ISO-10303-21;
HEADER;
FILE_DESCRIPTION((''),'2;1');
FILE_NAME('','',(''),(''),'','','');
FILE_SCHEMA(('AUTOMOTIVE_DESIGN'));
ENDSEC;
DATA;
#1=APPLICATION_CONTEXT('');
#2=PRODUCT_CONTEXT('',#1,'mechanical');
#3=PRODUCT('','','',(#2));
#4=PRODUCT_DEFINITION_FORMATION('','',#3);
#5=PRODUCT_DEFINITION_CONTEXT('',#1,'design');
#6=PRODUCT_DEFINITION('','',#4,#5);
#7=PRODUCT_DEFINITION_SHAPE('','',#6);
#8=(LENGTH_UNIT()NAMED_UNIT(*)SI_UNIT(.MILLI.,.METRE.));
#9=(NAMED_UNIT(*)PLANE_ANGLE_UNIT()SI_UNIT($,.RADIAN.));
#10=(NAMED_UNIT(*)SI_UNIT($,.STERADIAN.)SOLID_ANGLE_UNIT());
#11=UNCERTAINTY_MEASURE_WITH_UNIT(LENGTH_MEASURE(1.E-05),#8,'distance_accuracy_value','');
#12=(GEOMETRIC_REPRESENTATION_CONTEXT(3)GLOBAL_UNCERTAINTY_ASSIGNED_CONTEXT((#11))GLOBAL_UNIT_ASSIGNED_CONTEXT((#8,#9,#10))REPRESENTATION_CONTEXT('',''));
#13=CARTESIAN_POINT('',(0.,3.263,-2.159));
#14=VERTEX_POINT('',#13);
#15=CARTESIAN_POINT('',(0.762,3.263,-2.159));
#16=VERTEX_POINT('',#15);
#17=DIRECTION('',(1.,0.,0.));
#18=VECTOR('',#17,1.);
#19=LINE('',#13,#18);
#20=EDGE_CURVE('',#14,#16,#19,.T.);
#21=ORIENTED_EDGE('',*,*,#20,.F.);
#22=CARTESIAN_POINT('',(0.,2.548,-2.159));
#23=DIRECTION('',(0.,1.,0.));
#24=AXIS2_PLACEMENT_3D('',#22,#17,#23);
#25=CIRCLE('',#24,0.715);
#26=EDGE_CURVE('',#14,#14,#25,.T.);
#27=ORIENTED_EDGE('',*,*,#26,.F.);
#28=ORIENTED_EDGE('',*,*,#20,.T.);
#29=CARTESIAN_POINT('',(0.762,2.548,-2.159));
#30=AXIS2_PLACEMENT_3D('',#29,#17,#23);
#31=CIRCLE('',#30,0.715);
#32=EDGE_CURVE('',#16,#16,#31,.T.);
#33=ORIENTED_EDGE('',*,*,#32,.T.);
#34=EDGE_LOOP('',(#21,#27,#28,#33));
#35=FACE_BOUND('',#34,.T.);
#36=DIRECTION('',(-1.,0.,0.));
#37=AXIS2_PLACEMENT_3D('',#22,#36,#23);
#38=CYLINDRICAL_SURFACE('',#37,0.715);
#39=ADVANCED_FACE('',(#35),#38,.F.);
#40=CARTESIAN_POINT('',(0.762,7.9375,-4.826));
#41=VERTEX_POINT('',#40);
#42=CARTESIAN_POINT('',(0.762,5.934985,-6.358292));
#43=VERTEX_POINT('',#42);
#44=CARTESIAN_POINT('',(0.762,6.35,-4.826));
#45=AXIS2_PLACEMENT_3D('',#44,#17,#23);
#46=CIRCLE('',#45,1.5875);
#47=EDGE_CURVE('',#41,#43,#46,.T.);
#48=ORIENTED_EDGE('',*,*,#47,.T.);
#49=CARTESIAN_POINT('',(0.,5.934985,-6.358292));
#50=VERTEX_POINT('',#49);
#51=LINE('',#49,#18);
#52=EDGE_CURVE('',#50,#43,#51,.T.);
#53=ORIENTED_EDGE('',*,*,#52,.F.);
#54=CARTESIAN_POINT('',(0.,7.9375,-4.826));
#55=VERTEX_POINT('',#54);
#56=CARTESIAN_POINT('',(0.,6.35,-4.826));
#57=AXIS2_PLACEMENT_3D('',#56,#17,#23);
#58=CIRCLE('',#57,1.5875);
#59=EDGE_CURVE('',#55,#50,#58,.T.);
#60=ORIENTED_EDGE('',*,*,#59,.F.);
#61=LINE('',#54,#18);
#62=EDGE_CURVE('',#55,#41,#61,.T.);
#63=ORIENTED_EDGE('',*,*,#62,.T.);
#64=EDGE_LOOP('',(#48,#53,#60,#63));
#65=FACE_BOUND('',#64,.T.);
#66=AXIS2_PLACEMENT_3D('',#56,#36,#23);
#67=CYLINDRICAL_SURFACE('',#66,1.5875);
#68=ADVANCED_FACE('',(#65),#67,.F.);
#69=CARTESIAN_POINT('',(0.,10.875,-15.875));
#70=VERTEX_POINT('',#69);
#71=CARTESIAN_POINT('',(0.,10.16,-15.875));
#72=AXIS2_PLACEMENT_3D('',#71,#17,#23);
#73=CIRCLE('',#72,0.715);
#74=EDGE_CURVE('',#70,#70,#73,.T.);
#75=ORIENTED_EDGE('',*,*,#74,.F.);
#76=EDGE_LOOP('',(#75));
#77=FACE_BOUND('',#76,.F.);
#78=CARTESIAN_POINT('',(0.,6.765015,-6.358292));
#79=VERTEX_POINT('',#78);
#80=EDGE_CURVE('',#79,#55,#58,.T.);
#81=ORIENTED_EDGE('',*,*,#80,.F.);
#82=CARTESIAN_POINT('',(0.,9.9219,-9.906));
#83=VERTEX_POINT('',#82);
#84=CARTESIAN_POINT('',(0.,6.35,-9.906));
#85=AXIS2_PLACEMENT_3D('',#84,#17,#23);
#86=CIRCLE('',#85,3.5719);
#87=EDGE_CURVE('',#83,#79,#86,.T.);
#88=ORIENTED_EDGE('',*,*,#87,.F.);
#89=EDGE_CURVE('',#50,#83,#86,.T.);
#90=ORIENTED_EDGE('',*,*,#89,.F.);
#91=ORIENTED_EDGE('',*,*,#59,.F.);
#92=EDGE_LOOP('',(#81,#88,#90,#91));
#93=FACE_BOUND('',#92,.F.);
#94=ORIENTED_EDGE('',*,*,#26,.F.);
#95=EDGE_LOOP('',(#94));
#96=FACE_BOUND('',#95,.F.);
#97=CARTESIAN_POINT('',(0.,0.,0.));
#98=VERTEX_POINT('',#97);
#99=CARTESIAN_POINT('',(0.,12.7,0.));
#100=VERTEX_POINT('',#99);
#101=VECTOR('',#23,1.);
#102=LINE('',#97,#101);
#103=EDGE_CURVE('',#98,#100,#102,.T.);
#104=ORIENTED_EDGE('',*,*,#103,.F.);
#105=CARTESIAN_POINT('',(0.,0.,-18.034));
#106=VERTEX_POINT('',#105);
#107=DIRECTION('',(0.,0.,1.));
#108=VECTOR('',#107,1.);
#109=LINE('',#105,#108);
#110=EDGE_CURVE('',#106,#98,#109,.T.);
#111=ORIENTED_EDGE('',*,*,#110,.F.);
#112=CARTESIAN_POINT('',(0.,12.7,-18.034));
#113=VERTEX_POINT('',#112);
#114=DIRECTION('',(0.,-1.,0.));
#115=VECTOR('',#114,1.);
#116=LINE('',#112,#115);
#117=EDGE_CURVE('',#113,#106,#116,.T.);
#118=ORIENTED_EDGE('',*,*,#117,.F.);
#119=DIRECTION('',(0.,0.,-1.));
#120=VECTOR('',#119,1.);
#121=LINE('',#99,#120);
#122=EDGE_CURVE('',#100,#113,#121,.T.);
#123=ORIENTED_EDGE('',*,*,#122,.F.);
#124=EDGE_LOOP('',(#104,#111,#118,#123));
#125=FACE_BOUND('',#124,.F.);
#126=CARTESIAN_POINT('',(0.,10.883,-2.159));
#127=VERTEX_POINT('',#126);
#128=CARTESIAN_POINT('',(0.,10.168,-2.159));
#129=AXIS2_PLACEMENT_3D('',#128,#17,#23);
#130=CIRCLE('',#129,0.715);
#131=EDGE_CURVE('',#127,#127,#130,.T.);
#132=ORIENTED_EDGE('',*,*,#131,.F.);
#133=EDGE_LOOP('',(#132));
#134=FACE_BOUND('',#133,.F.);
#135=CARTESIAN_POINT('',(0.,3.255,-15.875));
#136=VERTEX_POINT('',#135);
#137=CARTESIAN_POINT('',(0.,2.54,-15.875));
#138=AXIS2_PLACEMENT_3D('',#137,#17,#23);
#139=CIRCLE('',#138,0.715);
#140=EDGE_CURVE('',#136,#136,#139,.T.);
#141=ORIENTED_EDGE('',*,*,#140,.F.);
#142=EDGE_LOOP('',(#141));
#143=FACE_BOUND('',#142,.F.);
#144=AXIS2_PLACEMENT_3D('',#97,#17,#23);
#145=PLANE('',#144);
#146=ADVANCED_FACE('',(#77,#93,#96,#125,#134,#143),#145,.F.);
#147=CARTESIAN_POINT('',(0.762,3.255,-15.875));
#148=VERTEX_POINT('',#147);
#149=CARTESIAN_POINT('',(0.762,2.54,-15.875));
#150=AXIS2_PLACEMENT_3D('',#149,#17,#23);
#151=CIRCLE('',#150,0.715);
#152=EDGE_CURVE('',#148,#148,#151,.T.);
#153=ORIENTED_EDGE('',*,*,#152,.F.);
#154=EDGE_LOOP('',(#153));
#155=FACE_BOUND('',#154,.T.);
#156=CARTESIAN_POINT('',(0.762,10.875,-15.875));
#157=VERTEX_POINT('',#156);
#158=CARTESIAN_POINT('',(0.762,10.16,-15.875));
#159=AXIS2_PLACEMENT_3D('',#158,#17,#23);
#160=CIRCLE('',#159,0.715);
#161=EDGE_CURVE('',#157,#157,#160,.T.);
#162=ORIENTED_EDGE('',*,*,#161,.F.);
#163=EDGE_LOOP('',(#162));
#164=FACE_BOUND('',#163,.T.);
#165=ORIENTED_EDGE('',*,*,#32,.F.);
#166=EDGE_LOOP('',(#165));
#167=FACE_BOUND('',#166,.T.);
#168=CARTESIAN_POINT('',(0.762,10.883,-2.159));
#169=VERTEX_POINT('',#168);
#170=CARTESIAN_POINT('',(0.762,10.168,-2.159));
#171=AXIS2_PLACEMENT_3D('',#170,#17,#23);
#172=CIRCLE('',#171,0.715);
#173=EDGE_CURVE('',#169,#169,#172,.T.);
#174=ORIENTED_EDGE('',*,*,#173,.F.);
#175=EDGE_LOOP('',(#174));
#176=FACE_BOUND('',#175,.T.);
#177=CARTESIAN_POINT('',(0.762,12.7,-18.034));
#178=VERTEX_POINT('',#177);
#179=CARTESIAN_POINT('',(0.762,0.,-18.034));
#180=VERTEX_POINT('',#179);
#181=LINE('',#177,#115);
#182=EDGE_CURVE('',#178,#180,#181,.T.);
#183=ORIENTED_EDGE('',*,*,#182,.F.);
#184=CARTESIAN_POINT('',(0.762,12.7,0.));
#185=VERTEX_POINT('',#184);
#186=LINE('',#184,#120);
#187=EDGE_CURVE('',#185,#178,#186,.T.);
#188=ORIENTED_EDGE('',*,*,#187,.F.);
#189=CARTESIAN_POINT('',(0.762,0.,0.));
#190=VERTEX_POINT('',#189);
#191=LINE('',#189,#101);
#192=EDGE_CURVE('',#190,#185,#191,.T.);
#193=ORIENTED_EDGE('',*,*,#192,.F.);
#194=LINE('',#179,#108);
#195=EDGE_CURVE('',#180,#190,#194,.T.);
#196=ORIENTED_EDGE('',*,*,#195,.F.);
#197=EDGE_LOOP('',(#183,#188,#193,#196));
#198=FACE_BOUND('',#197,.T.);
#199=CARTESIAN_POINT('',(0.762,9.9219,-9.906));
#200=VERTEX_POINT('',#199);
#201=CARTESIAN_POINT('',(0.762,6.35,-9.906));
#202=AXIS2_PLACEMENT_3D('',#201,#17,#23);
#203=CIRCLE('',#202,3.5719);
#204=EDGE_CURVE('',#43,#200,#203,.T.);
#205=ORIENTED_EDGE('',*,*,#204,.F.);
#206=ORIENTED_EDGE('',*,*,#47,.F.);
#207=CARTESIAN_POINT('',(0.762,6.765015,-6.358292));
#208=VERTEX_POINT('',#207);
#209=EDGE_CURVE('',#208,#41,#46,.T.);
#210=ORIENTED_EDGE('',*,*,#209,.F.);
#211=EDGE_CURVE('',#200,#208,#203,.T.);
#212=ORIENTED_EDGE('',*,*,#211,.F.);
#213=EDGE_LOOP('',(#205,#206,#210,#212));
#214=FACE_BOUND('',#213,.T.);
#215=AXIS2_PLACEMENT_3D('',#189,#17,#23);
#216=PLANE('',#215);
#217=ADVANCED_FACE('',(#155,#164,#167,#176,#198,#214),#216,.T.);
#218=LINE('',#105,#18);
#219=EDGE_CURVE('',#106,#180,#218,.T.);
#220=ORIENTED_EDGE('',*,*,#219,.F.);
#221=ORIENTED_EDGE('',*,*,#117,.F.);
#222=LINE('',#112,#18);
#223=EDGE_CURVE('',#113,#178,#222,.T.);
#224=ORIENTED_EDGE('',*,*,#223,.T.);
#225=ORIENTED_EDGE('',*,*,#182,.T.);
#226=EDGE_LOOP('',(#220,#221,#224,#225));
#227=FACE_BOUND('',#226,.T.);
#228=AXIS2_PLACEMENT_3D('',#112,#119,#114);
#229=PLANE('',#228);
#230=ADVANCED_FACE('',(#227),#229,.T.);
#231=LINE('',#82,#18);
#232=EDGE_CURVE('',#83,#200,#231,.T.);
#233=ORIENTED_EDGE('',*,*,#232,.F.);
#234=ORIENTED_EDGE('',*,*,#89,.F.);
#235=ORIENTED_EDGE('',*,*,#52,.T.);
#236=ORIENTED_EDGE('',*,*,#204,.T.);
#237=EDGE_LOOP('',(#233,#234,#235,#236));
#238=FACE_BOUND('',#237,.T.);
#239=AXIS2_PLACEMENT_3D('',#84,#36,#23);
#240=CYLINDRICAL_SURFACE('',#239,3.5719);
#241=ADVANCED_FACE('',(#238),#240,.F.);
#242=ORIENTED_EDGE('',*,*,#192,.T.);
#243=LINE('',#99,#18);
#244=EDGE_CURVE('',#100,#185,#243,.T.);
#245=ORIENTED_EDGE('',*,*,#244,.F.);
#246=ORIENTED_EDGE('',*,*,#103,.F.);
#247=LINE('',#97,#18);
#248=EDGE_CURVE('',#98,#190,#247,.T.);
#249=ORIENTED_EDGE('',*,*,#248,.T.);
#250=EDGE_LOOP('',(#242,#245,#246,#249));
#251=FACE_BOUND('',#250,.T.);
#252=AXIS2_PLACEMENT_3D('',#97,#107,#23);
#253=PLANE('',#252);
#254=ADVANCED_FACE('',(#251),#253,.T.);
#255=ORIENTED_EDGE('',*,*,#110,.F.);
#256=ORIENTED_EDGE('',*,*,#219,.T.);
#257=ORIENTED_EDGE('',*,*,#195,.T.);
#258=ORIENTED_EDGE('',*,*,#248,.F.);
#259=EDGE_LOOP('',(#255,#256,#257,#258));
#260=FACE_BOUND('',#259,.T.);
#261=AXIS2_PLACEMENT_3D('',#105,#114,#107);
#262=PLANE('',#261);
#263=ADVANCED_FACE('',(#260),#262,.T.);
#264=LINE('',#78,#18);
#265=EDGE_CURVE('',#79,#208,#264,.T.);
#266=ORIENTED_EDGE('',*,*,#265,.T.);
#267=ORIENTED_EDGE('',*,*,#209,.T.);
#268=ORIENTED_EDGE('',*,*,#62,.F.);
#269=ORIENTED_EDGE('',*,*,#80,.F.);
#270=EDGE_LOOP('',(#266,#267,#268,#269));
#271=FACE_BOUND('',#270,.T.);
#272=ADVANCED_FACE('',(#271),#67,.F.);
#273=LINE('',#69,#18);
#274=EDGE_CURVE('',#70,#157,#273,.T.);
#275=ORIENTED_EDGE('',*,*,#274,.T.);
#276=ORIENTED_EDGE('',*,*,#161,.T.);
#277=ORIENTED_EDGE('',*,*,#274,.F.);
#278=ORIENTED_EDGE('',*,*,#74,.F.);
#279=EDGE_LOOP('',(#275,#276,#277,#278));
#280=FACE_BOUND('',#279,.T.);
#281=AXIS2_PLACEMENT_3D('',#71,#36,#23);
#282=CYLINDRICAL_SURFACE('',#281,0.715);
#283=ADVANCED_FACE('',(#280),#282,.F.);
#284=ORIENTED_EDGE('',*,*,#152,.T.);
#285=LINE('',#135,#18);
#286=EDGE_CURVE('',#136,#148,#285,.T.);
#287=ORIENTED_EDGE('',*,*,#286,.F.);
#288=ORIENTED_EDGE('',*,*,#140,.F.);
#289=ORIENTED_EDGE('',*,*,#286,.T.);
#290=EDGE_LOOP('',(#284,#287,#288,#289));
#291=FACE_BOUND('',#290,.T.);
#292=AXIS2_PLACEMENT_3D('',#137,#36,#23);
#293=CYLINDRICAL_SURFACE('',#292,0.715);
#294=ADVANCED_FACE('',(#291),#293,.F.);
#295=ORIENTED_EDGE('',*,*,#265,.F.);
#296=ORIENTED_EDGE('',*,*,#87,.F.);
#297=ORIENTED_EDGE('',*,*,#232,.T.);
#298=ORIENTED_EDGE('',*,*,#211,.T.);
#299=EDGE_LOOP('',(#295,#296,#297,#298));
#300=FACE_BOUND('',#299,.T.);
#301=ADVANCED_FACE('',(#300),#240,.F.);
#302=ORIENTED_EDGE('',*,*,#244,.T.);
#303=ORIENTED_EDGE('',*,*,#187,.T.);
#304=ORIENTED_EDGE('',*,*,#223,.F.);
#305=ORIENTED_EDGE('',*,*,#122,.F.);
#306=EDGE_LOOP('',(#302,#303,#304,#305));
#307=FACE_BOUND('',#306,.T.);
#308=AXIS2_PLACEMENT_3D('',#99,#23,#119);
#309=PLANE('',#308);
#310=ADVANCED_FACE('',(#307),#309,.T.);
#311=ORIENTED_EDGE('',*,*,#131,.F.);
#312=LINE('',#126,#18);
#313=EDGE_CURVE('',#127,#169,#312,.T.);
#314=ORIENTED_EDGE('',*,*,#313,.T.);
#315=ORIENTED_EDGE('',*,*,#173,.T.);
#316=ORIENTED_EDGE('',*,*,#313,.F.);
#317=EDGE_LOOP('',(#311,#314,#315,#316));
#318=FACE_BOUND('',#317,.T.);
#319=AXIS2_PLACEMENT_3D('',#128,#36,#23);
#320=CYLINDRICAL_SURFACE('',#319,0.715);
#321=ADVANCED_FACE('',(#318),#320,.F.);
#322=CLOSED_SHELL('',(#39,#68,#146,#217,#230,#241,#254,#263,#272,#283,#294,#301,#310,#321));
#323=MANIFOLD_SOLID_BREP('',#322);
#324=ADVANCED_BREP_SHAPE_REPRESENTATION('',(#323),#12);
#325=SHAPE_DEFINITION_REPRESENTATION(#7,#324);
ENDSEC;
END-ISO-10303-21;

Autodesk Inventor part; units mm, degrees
ref_plane "YZ Plane" through (0, 0, 0) normal (1, 0, 0) x (0, 1, 0)
ref_plane "XZ Plane" through (0, 0, 0) normal (0, 1, 0) x (-1, 0, 0)
ref_plane "XY Plane" through (0, 0, 0) normal (0, 0, 1) x (1, 0, 0)
sketch "Sketch1" plane through (0, 0, 0) normal (1, 0, 0) x (0, 1, 0)
  line L0 (0, 0) -> (12.7, 0)
  line L1 (12.7, 0) -> (12.7, -18.034)
  line L2 (12.7, -18.034) -> (0, -18.034)
  line L3 (0, -18.034) -> (0, 0)
  line L4 (-3.175, 0) -> (15.875, 0)
  line L5 (15.875, 0) -> (15.875, -18.034)
  line L6 (15.875, -18.034) -> (-3.175, -18.034)
  line L7 (-3.175, -18.034) -> (-3.175, 0)
  circle A0 centre (2.54, -15.875) radius 0.715
  circle A1 centre (2.548, -2.159) radius 0.715
  circle A2 centre (10.168, -2.159) radius 0.715
  circle A3 centre (10.16, -15.875) radius 0.715
  circle A4 centre (6.35, -9.906) radius 3.5719
  circle A5 centre (6.35, -4.826) radius 1.5875
  point P0 (6.35, 0)
  point P1 (6.765, -6.3583)
  point P2 (5.935, -6.3583)
  dimension "d0" = 12.7
  dimension "d1" = 18.034
  dimension "d2" = 19.05
  dimension "d3" = 3.175
  dimension "d5" = 1.43
  dimension "d9" = 13.716
  dimension "d10" = 7.62
  dimension "d11" = 7.62
  dimension "d12" = 13.716
  dimension "d13" = 2.54
  dimension "d20" = 7.1437
  dimension "d21" = 3.175
  dimension "d23" = 2.159
  dimension "d24" = 2.159
extrude "Extrusion1" add sketch "Sketch1" along normal blind 0.762 contours L0 L1 L2 L3
properties part number "Base Top"
